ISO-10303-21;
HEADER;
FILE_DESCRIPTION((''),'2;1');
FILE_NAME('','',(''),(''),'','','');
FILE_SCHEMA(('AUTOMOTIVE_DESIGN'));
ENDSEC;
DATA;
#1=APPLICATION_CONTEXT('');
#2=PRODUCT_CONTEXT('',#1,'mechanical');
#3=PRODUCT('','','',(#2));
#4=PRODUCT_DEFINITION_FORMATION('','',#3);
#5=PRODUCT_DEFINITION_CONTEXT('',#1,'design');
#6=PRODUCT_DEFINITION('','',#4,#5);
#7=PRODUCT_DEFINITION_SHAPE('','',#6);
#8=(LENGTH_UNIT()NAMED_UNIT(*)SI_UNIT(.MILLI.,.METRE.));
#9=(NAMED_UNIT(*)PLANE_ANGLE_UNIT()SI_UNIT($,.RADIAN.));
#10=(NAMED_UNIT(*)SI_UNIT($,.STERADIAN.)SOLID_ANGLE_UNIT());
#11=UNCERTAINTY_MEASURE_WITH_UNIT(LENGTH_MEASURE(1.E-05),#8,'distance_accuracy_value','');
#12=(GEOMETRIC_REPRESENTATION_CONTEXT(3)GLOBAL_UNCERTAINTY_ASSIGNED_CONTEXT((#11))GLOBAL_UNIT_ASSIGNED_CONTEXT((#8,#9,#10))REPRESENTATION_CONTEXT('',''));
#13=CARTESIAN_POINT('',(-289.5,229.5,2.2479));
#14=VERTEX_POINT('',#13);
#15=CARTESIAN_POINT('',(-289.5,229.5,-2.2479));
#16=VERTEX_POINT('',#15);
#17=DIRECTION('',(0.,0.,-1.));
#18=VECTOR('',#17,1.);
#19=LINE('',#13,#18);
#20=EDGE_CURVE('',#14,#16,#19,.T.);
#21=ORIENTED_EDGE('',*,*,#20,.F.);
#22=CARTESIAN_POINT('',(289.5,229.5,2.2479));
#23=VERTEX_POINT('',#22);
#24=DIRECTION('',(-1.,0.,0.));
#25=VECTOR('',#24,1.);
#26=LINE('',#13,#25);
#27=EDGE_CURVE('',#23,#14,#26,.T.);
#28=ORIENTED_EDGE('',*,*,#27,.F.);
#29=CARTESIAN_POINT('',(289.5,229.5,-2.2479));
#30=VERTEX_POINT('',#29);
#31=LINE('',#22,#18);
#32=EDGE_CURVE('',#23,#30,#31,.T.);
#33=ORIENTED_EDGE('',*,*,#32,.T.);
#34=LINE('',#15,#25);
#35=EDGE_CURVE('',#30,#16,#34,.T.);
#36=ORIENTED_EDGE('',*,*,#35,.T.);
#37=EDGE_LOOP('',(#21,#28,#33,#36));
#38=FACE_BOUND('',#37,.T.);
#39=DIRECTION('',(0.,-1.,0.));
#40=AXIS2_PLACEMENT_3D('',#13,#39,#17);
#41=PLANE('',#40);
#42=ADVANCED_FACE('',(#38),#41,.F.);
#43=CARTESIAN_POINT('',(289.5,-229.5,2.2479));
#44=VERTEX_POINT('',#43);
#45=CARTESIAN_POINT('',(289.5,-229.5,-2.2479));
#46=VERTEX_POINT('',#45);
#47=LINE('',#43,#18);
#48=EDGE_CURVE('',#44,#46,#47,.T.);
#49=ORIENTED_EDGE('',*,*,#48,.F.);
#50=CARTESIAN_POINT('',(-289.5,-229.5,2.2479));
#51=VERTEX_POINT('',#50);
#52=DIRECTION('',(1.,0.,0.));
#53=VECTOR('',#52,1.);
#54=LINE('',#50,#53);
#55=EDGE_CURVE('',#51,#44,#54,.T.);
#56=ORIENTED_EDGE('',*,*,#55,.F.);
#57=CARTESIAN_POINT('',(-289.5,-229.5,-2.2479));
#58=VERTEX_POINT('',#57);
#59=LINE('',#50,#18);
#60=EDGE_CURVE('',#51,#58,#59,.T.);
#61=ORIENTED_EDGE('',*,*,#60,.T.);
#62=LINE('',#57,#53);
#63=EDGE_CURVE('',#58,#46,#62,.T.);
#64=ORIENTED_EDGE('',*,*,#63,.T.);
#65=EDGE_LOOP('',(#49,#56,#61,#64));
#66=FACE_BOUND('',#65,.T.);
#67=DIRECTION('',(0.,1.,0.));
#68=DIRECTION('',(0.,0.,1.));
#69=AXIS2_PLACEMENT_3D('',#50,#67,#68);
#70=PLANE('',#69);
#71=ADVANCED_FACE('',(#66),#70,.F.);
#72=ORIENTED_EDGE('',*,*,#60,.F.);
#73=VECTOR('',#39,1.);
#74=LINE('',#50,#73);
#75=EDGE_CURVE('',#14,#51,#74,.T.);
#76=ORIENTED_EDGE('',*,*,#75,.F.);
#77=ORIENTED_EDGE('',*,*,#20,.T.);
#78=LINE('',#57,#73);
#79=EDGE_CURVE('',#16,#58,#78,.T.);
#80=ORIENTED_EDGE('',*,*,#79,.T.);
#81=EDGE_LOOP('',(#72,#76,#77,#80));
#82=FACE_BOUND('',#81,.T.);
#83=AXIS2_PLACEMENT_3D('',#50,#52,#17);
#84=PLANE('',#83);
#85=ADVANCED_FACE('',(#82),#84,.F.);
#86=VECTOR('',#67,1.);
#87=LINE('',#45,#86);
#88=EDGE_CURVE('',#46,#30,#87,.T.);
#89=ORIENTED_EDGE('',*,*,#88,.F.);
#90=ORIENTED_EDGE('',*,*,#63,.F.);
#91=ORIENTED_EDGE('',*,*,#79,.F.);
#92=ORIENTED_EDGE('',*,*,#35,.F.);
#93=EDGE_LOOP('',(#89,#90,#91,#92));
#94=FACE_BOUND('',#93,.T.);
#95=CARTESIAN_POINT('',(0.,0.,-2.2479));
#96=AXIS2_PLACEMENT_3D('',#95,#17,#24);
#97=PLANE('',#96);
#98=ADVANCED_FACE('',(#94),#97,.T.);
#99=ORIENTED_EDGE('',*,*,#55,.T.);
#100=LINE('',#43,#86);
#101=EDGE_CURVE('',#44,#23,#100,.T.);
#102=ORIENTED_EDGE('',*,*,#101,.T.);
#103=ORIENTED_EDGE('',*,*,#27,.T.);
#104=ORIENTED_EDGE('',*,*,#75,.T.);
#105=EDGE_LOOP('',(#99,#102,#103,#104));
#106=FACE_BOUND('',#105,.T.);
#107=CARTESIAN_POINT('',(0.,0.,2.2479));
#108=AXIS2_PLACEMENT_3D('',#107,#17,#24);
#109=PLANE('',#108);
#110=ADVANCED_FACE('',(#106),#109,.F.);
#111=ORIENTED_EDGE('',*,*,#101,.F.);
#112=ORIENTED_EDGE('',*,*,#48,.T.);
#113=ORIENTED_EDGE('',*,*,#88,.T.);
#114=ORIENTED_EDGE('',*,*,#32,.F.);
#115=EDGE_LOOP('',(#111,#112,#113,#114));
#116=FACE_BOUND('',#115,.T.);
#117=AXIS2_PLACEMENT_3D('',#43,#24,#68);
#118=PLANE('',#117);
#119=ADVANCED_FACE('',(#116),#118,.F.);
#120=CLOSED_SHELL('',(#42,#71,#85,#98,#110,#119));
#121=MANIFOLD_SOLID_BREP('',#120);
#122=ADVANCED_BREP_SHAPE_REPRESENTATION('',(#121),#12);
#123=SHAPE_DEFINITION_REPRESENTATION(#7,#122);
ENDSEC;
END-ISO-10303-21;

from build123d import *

# Parameters (mm, degrees)
SKETCH1_W           = 579
SKETCH1_H           = 459
BOSS_EXTRUDE1_DEPTH = 2.2479


with BuildPart() as part:
    # Sketch1 → Boss-Extrude1 (new body, symmetric)
    with BuildSketch(Plane.XY):
        Rectangle(SKETCH1_W, SKETCH1_H)
    extrude(amount=BOSS_EXTRUDE1_DEPTH, both=True)


solid = part.part
